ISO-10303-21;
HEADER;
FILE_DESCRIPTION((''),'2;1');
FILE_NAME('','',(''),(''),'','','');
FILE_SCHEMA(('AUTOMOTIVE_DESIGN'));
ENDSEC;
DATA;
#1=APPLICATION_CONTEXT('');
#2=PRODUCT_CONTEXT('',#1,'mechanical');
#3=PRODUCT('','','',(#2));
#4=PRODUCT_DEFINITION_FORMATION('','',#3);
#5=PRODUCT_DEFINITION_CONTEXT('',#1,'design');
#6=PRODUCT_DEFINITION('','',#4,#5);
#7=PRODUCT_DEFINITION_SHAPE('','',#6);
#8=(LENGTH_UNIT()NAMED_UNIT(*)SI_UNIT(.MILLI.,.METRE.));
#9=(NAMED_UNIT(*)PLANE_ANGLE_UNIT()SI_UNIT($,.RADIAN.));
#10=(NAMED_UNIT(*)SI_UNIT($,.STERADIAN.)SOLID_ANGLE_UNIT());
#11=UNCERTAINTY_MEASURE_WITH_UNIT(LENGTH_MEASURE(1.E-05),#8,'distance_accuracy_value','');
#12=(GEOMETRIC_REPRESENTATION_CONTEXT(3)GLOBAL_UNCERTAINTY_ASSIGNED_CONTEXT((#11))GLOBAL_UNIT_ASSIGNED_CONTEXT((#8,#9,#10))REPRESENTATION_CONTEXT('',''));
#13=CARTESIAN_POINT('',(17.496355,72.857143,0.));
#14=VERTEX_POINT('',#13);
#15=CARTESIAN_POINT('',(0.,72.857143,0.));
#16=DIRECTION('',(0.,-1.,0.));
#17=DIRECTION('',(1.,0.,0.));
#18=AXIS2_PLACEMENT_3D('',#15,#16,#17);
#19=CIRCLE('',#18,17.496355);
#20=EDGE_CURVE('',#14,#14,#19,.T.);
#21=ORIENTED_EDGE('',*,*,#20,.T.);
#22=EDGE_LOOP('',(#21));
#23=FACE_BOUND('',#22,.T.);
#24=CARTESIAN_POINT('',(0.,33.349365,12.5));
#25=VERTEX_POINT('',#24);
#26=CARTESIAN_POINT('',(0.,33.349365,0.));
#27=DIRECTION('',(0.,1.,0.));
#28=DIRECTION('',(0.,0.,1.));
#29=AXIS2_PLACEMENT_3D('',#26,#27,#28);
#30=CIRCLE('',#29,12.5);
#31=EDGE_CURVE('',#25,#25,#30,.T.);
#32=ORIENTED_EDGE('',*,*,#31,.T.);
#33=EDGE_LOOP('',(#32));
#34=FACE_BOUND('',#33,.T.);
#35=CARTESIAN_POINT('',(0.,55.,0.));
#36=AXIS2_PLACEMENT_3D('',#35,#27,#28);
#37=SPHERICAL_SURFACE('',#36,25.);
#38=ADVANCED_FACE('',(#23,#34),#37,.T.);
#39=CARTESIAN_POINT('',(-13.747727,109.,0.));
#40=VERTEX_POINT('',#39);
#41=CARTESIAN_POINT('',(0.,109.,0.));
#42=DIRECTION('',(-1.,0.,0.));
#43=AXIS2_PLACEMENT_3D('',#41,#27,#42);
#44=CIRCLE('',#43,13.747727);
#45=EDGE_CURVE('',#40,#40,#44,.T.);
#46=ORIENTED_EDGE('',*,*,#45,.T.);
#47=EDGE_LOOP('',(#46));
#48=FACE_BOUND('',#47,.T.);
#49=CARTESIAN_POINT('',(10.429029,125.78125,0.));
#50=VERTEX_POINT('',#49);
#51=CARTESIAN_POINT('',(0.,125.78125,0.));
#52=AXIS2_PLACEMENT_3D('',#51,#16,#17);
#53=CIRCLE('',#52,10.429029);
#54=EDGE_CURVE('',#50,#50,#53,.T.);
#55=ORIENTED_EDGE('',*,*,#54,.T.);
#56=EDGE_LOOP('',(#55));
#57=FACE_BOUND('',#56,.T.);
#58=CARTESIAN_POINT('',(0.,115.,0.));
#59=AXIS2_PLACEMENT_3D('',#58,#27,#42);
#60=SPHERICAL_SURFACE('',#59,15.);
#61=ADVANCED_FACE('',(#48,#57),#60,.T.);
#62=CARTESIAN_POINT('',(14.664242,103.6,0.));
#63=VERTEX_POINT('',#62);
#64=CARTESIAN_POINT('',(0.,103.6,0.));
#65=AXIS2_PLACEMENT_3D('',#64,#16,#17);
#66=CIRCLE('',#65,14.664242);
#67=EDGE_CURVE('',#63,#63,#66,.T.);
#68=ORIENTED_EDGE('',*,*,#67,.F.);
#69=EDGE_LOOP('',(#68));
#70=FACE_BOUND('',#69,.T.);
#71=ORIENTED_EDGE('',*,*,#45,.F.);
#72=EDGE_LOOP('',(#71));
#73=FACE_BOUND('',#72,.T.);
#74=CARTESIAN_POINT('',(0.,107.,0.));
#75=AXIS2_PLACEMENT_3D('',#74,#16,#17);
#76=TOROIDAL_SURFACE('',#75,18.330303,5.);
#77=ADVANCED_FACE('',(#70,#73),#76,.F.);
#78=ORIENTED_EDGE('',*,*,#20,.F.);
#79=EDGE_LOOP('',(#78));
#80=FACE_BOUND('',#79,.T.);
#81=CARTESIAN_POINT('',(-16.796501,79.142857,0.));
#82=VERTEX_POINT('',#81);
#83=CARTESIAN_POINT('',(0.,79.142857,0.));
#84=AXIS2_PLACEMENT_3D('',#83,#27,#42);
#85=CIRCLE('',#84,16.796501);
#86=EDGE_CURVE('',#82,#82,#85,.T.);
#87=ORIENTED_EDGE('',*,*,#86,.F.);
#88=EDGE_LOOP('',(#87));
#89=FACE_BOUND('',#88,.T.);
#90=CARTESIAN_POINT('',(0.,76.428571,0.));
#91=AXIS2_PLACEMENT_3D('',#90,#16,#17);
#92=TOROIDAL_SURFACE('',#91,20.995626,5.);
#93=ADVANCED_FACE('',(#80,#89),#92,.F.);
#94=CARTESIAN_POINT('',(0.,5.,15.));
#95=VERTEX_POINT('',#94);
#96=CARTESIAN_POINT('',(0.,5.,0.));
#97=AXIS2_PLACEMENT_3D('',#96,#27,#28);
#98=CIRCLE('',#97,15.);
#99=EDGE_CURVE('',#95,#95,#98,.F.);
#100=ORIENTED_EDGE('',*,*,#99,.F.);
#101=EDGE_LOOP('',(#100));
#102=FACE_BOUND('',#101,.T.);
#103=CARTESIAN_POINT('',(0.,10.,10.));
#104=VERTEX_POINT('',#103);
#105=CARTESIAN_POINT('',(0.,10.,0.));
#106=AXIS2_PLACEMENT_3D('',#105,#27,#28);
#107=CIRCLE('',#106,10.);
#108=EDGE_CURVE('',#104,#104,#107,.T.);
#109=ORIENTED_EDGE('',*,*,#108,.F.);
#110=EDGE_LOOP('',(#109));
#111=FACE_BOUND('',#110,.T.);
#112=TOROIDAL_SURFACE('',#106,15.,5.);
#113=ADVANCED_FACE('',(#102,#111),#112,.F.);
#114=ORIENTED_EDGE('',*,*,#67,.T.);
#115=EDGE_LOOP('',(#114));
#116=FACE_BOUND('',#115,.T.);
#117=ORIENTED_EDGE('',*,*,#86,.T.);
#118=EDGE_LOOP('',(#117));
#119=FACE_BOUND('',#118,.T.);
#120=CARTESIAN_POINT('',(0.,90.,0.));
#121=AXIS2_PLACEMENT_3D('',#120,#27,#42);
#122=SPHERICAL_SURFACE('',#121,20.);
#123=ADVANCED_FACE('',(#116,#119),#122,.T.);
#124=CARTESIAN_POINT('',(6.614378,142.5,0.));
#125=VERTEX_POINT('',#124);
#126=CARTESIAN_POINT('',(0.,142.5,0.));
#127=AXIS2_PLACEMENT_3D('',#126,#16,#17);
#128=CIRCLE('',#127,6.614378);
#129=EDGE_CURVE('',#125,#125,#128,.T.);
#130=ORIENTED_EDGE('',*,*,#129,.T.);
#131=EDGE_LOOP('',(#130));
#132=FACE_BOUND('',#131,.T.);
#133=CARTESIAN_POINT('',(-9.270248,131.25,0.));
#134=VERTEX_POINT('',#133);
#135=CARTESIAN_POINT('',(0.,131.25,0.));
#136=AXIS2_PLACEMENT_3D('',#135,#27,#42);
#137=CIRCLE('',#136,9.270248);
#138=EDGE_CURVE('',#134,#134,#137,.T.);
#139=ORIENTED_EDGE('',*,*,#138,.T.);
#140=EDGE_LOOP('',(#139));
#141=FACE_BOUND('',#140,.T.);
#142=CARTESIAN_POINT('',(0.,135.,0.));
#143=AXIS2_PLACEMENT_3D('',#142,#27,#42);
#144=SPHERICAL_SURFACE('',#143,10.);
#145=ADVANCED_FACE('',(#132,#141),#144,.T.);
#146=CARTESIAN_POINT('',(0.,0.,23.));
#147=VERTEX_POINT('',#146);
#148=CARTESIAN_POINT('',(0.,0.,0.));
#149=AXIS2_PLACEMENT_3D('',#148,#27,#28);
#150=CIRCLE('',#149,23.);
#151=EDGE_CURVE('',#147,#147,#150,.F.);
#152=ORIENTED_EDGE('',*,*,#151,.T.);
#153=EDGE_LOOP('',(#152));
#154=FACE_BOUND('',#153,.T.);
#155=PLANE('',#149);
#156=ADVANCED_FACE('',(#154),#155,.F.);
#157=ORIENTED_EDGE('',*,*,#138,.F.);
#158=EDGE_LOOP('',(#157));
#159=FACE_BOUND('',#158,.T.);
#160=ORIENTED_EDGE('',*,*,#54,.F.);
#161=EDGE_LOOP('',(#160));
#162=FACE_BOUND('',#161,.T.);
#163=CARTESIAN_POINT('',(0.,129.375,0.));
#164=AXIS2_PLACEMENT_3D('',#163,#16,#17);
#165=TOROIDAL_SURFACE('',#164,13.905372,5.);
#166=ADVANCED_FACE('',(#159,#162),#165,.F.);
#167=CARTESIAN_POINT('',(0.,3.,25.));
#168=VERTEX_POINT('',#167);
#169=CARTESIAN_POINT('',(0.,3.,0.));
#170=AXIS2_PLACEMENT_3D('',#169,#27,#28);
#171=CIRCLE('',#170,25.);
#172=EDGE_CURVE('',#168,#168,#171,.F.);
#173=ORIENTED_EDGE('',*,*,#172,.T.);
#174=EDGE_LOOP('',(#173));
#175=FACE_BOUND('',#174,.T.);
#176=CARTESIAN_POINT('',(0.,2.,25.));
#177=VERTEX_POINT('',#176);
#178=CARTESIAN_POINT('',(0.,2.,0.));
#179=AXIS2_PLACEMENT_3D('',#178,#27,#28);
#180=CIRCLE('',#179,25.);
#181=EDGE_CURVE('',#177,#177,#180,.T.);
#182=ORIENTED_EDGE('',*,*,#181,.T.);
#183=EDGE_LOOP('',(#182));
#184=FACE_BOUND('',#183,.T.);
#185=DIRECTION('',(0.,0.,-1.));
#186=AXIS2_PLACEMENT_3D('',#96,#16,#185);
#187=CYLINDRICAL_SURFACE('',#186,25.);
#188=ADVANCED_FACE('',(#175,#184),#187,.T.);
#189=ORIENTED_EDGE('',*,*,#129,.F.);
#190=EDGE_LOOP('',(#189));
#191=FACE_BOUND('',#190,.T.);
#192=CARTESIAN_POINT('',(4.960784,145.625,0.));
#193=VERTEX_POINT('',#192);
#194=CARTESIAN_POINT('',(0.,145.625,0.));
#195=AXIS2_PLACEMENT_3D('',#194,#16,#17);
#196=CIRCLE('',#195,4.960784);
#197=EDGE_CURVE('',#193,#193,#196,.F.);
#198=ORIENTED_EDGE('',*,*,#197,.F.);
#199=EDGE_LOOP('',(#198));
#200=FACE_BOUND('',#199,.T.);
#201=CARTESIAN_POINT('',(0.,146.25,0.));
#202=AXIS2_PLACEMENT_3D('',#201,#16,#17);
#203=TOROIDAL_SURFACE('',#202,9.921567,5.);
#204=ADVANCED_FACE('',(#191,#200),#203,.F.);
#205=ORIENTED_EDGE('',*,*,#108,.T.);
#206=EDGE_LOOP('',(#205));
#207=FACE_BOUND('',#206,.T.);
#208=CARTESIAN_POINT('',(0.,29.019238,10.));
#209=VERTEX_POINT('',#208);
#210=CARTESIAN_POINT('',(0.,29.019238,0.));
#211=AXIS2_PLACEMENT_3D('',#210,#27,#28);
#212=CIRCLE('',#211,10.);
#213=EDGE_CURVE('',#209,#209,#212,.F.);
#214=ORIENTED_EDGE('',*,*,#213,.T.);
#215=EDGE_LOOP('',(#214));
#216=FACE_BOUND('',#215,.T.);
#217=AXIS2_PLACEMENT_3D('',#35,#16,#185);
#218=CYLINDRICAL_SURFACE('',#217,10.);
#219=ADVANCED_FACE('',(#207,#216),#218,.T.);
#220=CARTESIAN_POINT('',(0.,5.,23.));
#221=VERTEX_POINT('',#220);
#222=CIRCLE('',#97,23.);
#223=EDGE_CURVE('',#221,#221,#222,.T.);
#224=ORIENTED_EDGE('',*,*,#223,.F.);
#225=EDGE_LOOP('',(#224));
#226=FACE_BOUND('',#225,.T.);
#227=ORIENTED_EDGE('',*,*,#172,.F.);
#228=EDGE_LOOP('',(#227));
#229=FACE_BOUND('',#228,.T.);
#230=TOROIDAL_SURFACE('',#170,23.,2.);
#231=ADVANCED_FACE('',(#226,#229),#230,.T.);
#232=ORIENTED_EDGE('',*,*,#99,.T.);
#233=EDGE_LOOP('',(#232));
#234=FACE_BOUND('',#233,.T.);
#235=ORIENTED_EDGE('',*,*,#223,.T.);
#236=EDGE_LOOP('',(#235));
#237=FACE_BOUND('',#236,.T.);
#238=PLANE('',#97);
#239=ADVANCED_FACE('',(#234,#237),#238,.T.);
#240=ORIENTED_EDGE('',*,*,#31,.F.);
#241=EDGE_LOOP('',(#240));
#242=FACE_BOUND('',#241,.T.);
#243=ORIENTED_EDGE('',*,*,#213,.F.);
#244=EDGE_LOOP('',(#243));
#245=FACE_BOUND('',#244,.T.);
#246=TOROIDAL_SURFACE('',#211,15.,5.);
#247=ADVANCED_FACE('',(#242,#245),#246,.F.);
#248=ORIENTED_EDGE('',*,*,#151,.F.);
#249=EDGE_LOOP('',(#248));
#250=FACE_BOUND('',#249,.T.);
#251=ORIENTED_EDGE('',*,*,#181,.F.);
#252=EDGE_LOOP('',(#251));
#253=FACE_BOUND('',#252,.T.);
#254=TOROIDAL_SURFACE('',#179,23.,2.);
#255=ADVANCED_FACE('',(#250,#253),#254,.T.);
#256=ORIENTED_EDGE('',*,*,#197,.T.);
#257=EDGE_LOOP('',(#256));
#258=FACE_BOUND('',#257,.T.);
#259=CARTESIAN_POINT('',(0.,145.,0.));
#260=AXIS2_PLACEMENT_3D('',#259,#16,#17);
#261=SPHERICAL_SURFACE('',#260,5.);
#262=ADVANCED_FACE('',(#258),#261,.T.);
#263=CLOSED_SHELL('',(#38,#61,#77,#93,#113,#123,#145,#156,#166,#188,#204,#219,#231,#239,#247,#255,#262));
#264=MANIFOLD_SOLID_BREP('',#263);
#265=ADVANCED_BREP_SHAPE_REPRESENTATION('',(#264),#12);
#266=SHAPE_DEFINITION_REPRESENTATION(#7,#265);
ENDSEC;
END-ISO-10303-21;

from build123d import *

# Parameters (mm, degrees)
SKETCH1_R           = 25
BOSS_EXTRUDE1_DEPTH = 5
SKETCH2_R           = 10
BOSS_EXTRUDE2_DEPTH = 50
FILLET1_R           = 5
FILLET2_R           = 2
FILLET3_R           = 5


with BuildPart() as part:
    # Sketch1 → Boss-Extrude1 (new body)
    with BuildSketch(Plane(origin=(0, 0, 0), x_dir=(1, 0, 0), z_dir=(0, 1, 0))):
        with Locations(Location((0, 0, 0), (0, 0, 270))):
            Circle(SKETCH1_R)
    extrude(amount=BOSS_EXTRUDE1_DEPTH)

    # Sketch2 → Boss-Extrude2 (add)
    with BuildSketch(Plane(origin=(0, 5, 0), x_dir=(1, 0, 0), z_dir=(0, 1, 0))):
        with Locations(Location((0, 0, 0), (0, 0, 270))):
            Circle(SKETCH2_R)
    extrude(amount=BOSS_EXTRUDE2_DEPTH)

    # Fillet1
    fillet1_edges = [part.edges().sort_by_distance(p)[0] for p in [
        (0, 5, -10),
    ]]
    fillet(fillet1_edges, radius=FILLET1_R)

    # Sketch3 → Revolve1 (revolve)
    with BuildSketch(Plane(origin=(0, 55, 0), x_dir=(1, 0, 0), z_dir=(0, 1, 0))):
        with BuildLine():
            Line((0, 25), (0, -25))
            ThreePointArc((0, -25), (25, 0), (0, 25))
        make_face()
    revolve(axis=Axis((0, 55, -25), (0, 0, 1)))

    # Fillet2
    fillet2_edges = [part.edges().sort_by_distance(p)[0] for p in [
        (0, 0, -25),
        (0, 5, -25),
    ]]
    fillet(fillet2_edges, radius=FILLET2_R)

    # Sketch4 → Revolve2 (revolve)
    with BuildSketch(Plane(origin=(0, 90, 0), x_dir=(1, 0, 0), z_dir=(0, 1, 0))):
        with BuildLine():
            Line((0, 20), (0, -20))
            ThreePointArc((0, -20), (20, 0), (0, 20))
        make_face()
    revolve(axis=Axis((0, 90, -20), (0, 0, 1)))

    # Sketch5 → Revolve3 (revolve)
    with BuildSketch(Plane(origin=(0, 115, 0), x_dir=(1, 0, 0), z_dir=(0, 1, 0))):
        with BuildLine():
            Line((0, 15), (0, -15))
            ThreePointArc((0, -15), (15, 0), (0, 15))
        make_face()
    revolve(axis=Axis((0, 115, -15), (0, 0, 1)))

    # Sketch6 → Revolve4 (revolve)
    with BuildSketch(Plane(origin=(0, 135, 0), x_dir=(1, 0, 0), z_dir=(0, 1, 0))):
        with BuildLine():
            Line((0, 10), (0, -10))
            ThreePointArc((0, -10), (10, 0), (0, 10))
        make_face()
    revolve(axis=Axis((0, 135, -10), (0, 0, 1)))

    # Sketch7 → Revolve5 (revolve)
    with BuildSketch(Plane(origin=(0, 145, 0), x_dir=(1, 0, 0), z_dir=(0, 1, 0))):
        with BuildLine():
            Line((0, 5), (0, -5))
            ThreePointArc((0, -5), (5, 0), (0, 5))
        make_face()
    revolve(axis=Axis((0, 145, -5), (0, 0, 1)))

    # Fillet3
    fillet3_edges = [part.edges().sort_by_distance(p)[0] for p in [
        (0, 32.087121525, -9.999999996),
        (0, 75.714285714, -13.997084244),
        (12, 106, 0),
        (0, 128.125, -7.261843774),
        (4.841229183, 143.75, 0),
    ]]
    fillet(fillet3_edges, radius=FILLET3_R)


solid = part.part
